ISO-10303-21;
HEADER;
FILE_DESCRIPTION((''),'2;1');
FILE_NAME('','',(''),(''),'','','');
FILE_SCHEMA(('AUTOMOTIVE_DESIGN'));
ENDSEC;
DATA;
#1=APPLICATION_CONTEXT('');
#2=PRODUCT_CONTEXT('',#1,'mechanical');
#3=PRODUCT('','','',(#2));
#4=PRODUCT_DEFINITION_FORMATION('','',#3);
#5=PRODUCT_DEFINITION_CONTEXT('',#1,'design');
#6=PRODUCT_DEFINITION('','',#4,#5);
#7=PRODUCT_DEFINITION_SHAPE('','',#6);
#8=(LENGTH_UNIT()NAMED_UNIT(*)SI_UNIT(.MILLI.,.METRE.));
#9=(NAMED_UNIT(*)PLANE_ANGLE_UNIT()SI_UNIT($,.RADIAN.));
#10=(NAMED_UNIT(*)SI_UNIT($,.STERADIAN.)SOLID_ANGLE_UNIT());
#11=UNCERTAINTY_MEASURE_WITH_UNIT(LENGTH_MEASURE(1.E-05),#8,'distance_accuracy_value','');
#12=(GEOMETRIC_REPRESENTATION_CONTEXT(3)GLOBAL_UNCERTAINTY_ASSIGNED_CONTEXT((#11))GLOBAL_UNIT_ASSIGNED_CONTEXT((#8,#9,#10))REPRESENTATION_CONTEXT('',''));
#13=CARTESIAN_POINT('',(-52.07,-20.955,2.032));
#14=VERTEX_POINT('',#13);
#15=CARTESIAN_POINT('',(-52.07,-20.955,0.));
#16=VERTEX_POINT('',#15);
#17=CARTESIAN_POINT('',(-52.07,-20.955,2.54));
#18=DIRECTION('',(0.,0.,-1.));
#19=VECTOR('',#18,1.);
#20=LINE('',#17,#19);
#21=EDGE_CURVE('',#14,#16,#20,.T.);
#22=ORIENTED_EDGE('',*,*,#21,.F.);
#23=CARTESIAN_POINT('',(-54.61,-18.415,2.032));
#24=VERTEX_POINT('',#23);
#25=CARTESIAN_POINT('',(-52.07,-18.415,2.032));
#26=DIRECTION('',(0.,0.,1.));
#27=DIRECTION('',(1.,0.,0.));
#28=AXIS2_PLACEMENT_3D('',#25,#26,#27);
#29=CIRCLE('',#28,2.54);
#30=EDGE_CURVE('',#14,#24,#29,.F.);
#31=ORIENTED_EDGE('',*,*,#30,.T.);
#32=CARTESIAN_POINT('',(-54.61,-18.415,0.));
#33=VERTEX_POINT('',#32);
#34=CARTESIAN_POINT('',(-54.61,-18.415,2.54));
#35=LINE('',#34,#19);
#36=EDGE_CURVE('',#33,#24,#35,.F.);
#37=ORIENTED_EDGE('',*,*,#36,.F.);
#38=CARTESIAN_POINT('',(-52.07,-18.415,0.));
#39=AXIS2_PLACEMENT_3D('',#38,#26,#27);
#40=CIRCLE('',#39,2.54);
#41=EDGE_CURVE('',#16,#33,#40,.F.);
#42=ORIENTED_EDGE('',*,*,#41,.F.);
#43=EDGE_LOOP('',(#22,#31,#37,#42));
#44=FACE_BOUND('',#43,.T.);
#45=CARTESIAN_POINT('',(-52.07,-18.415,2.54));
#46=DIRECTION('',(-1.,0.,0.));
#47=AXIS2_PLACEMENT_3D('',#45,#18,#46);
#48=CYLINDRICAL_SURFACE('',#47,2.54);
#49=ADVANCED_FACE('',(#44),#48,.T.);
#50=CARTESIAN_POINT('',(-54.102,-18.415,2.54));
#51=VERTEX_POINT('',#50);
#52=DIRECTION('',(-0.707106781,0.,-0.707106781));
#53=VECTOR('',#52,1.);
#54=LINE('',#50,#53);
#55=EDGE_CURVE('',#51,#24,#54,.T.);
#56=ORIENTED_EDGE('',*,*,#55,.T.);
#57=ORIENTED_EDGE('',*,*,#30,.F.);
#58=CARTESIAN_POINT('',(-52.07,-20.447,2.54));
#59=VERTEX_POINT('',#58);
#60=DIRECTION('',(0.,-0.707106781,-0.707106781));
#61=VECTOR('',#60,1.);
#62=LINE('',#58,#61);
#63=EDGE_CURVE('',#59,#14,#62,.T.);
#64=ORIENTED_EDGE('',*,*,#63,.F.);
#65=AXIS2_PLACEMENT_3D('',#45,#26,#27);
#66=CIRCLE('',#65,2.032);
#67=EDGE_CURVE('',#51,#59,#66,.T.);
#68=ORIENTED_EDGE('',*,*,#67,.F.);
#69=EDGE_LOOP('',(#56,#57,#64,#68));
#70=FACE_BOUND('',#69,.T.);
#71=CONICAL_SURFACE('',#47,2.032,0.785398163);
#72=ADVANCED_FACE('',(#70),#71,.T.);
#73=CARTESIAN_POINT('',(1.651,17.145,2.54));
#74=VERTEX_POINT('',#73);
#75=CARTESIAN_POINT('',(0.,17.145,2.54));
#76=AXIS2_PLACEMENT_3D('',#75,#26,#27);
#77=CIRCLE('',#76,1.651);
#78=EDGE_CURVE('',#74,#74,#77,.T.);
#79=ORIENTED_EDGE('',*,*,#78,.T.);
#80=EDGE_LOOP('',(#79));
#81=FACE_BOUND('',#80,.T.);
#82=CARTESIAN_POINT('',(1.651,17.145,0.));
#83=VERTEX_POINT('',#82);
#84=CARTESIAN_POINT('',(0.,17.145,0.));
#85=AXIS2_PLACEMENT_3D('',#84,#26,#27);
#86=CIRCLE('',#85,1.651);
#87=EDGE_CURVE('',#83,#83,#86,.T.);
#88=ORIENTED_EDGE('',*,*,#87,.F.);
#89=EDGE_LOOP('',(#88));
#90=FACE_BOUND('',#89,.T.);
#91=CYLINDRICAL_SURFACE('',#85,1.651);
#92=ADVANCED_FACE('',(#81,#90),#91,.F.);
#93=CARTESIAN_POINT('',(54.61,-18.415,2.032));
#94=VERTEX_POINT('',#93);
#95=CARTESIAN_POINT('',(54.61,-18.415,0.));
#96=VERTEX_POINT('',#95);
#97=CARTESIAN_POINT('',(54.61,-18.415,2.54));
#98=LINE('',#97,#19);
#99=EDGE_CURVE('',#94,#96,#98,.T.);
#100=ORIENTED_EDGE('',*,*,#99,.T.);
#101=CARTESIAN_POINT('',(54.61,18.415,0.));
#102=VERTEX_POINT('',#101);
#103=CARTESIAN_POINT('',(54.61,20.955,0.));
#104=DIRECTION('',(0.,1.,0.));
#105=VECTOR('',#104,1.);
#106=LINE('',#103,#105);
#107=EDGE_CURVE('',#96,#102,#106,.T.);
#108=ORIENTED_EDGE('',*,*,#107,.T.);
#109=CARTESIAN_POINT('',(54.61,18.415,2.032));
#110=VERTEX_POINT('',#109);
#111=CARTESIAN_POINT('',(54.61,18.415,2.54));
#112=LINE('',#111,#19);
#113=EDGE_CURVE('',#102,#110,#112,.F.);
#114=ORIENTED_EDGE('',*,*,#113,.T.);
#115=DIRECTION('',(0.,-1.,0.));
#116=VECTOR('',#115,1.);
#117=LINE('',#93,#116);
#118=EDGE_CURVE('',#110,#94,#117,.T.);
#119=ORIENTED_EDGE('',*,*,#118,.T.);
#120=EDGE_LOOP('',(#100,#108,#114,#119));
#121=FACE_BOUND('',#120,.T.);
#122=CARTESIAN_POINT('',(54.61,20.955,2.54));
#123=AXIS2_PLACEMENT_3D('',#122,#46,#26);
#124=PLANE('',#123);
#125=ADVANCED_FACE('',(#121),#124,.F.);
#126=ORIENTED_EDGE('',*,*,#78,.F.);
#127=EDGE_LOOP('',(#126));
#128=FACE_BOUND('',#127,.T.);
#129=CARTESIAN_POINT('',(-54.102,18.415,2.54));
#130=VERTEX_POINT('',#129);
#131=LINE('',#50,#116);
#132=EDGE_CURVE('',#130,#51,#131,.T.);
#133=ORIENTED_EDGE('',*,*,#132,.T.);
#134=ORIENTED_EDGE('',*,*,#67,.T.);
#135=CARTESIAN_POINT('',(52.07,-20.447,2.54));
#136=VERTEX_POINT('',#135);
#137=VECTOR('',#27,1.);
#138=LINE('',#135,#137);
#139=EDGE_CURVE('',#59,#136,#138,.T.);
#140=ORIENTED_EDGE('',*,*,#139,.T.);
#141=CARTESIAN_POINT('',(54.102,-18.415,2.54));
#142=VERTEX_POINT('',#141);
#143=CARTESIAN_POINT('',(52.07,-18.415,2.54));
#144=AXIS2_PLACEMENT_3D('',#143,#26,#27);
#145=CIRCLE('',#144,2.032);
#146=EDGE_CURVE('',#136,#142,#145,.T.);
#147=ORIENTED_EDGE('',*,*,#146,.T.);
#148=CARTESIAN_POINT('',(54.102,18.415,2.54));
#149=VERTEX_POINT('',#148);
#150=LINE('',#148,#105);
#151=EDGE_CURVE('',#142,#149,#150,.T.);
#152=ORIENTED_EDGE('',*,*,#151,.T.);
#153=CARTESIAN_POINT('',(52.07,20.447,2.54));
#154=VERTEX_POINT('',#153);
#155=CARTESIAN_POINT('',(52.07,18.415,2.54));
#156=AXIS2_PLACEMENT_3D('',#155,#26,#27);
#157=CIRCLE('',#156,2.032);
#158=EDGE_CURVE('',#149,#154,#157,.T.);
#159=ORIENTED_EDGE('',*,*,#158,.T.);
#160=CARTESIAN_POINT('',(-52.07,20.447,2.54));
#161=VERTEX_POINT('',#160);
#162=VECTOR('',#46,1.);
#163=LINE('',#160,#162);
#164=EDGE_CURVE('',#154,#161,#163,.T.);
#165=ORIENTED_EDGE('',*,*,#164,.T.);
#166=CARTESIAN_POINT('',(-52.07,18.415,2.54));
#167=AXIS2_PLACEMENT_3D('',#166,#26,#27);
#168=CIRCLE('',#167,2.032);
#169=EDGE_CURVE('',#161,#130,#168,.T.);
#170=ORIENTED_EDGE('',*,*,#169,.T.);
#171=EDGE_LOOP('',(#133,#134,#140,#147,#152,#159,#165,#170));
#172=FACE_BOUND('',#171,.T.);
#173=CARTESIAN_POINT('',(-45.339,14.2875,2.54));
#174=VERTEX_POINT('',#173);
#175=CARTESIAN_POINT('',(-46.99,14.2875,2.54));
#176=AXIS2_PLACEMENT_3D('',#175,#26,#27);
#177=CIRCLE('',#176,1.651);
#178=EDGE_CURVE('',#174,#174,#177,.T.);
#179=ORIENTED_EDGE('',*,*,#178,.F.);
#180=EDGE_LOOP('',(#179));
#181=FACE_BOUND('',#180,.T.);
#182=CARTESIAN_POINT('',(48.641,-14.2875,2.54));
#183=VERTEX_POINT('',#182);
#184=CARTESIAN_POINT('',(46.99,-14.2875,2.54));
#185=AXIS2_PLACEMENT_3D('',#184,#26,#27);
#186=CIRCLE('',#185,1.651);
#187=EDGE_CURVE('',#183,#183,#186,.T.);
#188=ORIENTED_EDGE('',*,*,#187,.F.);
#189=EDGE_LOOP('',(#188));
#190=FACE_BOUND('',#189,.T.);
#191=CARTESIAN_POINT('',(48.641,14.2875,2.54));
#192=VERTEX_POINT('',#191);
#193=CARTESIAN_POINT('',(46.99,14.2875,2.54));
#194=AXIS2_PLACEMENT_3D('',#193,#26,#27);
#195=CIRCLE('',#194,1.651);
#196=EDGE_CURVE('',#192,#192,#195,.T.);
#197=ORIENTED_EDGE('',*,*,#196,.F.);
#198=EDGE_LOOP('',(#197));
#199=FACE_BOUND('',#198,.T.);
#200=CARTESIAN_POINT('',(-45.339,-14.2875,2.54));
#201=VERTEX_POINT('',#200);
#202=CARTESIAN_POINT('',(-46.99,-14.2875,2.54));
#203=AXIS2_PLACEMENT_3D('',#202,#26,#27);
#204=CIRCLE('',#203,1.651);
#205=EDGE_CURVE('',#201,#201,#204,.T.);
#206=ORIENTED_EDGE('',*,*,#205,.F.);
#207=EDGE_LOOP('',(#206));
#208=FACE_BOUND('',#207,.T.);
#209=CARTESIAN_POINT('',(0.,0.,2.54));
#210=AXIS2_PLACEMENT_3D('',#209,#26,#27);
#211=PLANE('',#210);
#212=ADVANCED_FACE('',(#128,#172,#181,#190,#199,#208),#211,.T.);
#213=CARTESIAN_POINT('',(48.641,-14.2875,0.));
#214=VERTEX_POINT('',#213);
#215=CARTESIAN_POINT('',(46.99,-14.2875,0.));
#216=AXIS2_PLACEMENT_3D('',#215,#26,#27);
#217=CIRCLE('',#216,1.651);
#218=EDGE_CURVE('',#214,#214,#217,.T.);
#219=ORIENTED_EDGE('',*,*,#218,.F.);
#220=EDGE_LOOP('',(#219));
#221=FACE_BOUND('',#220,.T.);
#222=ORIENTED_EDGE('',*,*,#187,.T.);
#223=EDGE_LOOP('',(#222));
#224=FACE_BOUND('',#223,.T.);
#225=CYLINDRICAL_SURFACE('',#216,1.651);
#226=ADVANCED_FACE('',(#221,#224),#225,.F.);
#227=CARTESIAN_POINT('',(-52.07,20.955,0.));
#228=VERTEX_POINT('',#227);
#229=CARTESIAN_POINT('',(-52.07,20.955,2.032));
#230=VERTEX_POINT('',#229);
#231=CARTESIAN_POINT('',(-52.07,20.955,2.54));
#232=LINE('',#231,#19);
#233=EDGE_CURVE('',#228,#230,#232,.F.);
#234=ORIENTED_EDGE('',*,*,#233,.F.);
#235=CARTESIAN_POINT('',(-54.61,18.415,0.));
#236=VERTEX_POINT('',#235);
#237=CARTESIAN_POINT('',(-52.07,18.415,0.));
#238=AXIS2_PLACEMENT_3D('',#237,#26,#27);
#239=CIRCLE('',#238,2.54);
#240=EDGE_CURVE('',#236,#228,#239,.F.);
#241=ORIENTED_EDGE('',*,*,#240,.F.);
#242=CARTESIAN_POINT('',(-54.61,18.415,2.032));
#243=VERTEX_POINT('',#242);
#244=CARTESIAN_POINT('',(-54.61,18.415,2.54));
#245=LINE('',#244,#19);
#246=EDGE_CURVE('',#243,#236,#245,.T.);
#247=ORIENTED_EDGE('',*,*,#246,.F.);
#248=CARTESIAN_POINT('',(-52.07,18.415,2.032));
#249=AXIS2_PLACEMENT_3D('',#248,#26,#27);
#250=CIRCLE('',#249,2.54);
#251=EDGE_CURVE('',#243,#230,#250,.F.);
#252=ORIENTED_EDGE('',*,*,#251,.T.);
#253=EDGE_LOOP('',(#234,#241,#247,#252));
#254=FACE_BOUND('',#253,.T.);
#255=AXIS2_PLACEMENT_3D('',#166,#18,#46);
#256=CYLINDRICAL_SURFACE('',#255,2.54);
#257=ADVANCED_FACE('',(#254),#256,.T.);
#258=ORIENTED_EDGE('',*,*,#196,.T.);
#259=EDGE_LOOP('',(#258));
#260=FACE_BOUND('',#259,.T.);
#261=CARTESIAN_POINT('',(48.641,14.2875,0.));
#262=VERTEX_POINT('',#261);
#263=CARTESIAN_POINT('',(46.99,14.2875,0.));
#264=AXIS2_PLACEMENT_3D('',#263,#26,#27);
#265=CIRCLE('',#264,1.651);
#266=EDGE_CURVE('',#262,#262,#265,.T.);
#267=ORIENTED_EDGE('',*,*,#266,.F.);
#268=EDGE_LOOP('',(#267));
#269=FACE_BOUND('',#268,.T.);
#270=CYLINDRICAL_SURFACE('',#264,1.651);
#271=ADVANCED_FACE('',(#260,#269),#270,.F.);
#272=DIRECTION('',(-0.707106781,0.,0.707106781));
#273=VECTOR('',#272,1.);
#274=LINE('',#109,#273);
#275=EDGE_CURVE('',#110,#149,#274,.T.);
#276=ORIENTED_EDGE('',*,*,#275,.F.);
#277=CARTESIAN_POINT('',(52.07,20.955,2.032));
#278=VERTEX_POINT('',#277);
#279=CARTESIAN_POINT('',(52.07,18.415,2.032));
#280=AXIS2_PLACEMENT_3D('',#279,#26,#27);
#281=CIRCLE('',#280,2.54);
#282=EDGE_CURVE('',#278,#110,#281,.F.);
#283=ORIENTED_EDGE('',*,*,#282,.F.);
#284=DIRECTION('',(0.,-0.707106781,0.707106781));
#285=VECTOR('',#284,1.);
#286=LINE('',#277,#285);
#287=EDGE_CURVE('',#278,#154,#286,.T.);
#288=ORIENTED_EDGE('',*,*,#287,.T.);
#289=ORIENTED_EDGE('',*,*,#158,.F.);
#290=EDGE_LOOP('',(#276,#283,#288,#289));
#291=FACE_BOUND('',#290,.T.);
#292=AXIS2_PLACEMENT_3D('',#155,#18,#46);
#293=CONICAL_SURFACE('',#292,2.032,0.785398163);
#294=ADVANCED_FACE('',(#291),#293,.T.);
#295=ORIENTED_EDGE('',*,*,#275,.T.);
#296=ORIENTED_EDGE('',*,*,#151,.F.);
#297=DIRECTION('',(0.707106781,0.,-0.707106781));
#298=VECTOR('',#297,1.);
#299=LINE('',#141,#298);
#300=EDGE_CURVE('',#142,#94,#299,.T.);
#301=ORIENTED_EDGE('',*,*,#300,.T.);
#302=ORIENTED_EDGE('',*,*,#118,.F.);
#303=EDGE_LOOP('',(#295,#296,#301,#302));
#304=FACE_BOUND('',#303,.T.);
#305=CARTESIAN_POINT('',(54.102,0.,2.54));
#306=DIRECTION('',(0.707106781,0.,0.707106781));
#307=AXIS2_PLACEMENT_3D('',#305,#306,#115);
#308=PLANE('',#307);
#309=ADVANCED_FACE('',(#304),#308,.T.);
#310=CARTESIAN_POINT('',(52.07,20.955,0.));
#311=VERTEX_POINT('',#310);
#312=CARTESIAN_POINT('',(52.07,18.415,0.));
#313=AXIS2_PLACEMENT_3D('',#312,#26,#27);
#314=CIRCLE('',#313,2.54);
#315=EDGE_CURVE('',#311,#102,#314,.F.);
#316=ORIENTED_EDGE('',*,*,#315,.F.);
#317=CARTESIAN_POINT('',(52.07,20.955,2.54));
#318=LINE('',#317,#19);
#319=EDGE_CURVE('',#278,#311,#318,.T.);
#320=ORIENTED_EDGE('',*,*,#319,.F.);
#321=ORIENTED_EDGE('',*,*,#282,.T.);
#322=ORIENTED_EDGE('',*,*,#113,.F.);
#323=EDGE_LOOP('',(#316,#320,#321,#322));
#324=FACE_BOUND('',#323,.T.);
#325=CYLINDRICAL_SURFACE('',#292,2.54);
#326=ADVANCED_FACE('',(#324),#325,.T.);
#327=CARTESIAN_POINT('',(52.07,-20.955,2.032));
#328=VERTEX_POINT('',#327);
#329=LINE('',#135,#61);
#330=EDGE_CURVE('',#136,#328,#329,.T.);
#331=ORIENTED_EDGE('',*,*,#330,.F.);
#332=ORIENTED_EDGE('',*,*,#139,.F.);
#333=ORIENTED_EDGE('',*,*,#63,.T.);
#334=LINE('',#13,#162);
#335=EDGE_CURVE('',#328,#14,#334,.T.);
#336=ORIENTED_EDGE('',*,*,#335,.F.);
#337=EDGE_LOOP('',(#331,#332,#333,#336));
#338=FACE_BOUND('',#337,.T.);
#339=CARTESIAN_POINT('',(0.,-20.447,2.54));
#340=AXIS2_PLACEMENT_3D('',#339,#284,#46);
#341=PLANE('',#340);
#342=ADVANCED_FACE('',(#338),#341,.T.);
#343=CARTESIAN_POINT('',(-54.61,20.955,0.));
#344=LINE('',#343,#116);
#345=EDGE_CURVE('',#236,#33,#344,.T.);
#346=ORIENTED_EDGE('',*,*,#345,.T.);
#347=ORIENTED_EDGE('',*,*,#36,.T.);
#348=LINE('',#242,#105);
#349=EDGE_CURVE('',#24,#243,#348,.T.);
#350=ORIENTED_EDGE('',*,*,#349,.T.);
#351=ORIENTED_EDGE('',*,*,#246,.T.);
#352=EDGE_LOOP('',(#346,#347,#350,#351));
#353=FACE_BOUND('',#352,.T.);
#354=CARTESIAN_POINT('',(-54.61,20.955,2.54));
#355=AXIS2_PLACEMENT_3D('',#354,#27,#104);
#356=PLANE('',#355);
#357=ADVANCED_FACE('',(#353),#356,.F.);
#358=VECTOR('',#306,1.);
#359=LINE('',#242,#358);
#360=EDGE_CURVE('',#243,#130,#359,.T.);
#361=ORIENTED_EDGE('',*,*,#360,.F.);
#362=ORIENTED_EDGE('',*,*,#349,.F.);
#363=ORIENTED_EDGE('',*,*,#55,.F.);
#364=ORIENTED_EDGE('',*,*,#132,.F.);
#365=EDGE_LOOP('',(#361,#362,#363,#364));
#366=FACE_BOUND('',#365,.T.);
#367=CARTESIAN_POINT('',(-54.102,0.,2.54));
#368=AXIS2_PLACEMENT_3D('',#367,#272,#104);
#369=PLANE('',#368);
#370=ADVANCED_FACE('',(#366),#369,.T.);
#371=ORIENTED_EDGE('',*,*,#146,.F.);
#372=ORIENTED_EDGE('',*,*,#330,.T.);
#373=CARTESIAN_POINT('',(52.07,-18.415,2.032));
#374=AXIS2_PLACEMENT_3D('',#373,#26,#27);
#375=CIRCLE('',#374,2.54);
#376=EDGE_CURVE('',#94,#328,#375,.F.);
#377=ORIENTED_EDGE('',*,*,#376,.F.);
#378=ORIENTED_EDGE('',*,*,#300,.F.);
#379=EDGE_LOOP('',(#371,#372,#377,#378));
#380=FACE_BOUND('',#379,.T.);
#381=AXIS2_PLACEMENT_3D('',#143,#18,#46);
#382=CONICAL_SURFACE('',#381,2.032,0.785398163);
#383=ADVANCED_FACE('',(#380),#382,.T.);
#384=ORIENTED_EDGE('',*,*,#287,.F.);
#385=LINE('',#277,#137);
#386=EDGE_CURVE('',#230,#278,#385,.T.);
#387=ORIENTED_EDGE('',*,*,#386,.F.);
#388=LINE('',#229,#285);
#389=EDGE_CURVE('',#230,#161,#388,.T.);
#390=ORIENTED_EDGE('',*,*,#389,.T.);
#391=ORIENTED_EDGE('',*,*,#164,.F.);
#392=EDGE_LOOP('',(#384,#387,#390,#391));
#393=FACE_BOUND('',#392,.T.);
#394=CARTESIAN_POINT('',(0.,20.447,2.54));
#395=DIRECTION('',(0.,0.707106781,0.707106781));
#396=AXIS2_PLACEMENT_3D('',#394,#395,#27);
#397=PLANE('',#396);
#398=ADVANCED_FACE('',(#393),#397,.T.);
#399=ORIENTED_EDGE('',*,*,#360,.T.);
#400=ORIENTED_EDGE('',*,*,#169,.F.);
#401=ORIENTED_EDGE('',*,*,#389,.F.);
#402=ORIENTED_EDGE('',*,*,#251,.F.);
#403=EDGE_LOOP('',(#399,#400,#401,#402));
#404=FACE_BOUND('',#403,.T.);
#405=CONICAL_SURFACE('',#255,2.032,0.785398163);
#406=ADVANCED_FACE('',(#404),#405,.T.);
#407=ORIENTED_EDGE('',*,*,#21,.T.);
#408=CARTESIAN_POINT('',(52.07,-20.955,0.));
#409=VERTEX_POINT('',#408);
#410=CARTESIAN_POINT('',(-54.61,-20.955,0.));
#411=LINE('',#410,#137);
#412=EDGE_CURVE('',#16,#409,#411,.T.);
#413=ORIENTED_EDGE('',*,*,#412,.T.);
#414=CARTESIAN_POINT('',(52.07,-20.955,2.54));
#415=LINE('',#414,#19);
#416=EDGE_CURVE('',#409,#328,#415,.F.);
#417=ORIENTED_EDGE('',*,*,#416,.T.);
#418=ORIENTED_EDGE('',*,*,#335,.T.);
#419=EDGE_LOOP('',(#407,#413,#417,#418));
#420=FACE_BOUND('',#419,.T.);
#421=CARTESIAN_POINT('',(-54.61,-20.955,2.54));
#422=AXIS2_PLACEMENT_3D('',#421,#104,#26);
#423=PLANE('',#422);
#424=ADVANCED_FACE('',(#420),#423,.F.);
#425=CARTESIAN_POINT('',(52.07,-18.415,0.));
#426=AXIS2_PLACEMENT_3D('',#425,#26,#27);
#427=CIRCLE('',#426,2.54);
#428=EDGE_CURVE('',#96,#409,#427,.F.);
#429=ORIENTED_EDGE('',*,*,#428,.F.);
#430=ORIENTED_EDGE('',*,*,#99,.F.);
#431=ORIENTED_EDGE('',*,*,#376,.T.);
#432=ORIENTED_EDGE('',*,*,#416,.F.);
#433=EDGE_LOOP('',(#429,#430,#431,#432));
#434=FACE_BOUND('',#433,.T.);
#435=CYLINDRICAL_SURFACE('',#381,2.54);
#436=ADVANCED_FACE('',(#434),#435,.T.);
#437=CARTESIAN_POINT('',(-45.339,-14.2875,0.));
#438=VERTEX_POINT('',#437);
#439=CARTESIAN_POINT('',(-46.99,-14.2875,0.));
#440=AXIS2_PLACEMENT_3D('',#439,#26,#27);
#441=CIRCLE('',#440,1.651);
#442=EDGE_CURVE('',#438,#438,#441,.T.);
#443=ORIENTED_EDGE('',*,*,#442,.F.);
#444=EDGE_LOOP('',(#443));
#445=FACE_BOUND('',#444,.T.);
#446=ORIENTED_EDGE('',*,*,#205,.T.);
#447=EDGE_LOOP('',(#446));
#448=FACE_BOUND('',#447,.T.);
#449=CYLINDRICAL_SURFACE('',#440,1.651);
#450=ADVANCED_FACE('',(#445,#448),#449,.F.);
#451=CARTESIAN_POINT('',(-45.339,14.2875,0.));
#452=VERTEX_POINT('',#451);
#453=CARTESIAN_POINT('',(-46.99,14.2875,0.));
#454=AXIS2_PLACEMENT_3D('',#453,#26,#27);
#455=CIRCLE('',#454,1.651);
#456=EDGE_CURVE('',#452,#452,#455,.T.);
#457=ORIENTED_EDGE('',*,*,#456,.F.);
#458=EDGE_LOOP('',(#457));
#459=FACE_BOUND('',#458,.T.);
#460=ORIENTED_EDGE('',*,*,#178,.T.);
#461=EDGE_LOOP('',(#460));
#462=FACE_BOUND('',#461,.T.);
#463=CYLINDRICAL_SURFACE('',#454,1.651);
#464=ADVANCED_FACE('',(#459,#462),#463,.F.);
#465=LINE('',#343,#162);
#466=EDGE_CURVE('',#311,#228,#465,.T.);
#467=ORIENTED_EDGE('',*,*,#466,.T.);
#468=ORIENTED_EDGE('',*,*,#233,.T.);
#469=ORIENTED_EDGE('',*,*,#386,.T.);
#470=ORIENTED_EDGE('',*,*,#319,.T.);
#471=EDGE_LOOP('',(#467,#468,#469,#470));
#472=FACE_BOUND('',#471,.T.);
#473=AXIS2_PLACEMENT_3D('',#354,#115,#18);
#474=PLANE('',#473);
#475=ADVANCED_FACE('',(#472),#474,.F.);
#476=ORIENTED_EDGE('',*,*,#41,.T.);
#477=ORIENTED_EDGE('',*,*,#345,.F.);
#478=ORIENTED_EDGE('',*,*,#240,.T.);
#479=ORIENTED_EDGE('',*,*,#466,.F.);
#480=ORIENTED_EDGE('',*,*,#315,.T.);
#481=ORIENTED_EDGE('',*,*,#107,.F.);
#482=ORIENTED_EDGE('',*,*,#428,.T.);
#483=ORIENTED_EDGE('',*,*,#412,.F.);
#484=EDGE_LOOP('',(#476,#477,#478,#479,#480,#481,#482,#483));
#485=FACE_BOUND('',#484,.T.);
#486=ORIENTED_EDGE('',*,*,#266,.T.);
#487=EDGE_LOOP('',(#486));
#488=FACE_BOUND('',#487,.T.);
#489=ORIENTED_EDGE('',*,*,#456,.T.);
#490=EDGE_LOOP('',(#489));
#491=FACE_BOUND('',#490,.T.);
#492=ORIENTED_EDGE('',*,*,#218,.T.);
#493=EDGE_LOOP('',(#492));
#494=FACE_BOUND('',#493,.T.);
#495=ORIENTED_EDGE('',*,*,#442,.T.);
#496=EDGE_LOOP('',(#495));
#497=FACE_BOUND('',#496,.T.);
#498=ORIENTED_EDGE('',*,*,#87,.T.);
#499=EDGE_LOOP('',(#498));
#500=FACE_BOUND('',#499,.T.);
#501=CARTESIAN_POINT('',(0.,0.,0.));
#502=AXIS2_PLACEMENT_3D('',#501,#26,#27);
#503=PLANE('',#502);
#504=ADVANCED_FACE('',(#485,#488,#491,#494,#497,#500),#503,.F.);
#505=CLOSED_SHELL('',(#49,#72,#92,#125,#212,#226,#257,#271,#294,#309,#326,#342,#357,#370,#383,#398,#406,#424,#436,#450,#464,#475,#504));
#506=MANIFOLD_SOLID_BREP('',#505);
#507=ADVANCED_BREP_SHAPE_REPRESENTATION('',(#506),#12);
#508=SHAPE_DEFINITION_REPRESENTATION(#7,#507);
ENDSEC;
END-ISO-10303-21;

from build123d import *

# Parameters (mm, degrees)
SKETCH1_W               = 109.22
SKETCH1_H               = 41.91
BOSS_EXTRUDE1_DEPTH     = 2.54
CUT_EXTRUDE2_DEPTH      = 59.547550974
CUT_EXTRUDE2_DEPTH_BACK = 59.547550974
SKETCH4_R               = 1.651
FILLET1_R               = 2.54
SKETCH14_R              = 1.651
CUT_EXTRUDE8_DEPTH      = 59.547550974
CHAMFER2_SIZE           = 0.508


with BuildPart() as part:
    # Sketch1 → Boss-Extrude1 (new body)
    with BuildSketch(Plane.XY):
        Rectangle(SKETCH1_W, SKETCH1_H)
    extrude(amount=BOSS_EXTRUDE1_DEPTH)

    # Sketch4 → Cut-Extrude2 (cut, two sides: drawn at the far end of the back side and taken through both)
    with BuildSketch(Plane.XY.offset(2.54).offset(-CUT_EXTRUDE2_DEPTH_BACK)):
        with Locations((-46.99, 14.2875)):
            Circle(SKETCH4_R)
        with Locations((-46.99, -14.2875)):
            Circle(SKETCH4_R)
        with Locations((46.99, -14.2875)):
            Circle(SKETCH4_R)
        with Locations((46.99, 14.2875)):
            Circle(SKETCH4_R)
    extrude(amount=CUT_EXTRUDE2_DEPTH + CUT_EXTRUDE2_DEPTH_BACK, mode=Mode.SUBTRACT)

    # Fillet1
    fillet1_edges = [part.edges().sort_by_distance(p)[0] for p in [
        (-54.61, 20.955, 1.27),
        (54.61, 20.955, 1.27),
        (54.61, -20.955, 1.27),
        (-54.61, -20.955, 1.27),
    ]]
    fillet(fillet1_edges, radius=FILLET1_R)

    # Sketch14 → Cut-Extrude8 (cut, through all)
    with BuildSketch(Plane.XY.offset(2.54)):
        with Locations((0, 17.145)):
            Circle(SKETCH14_R)
    extrude(amount=-CUT_EXTRUDE8_DEPTH, mode=Mode.SUBTRACT)

    # Chamfer2
    chamfer2_edges = [part.edges().sort_by_distance(p)[0] for p in [
        (0, 20.955, 2.54),
        (54.61, 0, 2.54),
        (-54.61, 0, 2.54),
        (0, -20.955, 2.54),
        (-53.866051224, 20.211051224, 2.54),
        (-53.866051224, -20.211051224, 2.54),
        (53.866051224, -20.211051224, 2.54),
        (53.866051224, 20.211051224, 2.54),
    ]]
    chamfer(chamfer2_edges, length=CHAMFER2_SIZE)


solid = part.part
